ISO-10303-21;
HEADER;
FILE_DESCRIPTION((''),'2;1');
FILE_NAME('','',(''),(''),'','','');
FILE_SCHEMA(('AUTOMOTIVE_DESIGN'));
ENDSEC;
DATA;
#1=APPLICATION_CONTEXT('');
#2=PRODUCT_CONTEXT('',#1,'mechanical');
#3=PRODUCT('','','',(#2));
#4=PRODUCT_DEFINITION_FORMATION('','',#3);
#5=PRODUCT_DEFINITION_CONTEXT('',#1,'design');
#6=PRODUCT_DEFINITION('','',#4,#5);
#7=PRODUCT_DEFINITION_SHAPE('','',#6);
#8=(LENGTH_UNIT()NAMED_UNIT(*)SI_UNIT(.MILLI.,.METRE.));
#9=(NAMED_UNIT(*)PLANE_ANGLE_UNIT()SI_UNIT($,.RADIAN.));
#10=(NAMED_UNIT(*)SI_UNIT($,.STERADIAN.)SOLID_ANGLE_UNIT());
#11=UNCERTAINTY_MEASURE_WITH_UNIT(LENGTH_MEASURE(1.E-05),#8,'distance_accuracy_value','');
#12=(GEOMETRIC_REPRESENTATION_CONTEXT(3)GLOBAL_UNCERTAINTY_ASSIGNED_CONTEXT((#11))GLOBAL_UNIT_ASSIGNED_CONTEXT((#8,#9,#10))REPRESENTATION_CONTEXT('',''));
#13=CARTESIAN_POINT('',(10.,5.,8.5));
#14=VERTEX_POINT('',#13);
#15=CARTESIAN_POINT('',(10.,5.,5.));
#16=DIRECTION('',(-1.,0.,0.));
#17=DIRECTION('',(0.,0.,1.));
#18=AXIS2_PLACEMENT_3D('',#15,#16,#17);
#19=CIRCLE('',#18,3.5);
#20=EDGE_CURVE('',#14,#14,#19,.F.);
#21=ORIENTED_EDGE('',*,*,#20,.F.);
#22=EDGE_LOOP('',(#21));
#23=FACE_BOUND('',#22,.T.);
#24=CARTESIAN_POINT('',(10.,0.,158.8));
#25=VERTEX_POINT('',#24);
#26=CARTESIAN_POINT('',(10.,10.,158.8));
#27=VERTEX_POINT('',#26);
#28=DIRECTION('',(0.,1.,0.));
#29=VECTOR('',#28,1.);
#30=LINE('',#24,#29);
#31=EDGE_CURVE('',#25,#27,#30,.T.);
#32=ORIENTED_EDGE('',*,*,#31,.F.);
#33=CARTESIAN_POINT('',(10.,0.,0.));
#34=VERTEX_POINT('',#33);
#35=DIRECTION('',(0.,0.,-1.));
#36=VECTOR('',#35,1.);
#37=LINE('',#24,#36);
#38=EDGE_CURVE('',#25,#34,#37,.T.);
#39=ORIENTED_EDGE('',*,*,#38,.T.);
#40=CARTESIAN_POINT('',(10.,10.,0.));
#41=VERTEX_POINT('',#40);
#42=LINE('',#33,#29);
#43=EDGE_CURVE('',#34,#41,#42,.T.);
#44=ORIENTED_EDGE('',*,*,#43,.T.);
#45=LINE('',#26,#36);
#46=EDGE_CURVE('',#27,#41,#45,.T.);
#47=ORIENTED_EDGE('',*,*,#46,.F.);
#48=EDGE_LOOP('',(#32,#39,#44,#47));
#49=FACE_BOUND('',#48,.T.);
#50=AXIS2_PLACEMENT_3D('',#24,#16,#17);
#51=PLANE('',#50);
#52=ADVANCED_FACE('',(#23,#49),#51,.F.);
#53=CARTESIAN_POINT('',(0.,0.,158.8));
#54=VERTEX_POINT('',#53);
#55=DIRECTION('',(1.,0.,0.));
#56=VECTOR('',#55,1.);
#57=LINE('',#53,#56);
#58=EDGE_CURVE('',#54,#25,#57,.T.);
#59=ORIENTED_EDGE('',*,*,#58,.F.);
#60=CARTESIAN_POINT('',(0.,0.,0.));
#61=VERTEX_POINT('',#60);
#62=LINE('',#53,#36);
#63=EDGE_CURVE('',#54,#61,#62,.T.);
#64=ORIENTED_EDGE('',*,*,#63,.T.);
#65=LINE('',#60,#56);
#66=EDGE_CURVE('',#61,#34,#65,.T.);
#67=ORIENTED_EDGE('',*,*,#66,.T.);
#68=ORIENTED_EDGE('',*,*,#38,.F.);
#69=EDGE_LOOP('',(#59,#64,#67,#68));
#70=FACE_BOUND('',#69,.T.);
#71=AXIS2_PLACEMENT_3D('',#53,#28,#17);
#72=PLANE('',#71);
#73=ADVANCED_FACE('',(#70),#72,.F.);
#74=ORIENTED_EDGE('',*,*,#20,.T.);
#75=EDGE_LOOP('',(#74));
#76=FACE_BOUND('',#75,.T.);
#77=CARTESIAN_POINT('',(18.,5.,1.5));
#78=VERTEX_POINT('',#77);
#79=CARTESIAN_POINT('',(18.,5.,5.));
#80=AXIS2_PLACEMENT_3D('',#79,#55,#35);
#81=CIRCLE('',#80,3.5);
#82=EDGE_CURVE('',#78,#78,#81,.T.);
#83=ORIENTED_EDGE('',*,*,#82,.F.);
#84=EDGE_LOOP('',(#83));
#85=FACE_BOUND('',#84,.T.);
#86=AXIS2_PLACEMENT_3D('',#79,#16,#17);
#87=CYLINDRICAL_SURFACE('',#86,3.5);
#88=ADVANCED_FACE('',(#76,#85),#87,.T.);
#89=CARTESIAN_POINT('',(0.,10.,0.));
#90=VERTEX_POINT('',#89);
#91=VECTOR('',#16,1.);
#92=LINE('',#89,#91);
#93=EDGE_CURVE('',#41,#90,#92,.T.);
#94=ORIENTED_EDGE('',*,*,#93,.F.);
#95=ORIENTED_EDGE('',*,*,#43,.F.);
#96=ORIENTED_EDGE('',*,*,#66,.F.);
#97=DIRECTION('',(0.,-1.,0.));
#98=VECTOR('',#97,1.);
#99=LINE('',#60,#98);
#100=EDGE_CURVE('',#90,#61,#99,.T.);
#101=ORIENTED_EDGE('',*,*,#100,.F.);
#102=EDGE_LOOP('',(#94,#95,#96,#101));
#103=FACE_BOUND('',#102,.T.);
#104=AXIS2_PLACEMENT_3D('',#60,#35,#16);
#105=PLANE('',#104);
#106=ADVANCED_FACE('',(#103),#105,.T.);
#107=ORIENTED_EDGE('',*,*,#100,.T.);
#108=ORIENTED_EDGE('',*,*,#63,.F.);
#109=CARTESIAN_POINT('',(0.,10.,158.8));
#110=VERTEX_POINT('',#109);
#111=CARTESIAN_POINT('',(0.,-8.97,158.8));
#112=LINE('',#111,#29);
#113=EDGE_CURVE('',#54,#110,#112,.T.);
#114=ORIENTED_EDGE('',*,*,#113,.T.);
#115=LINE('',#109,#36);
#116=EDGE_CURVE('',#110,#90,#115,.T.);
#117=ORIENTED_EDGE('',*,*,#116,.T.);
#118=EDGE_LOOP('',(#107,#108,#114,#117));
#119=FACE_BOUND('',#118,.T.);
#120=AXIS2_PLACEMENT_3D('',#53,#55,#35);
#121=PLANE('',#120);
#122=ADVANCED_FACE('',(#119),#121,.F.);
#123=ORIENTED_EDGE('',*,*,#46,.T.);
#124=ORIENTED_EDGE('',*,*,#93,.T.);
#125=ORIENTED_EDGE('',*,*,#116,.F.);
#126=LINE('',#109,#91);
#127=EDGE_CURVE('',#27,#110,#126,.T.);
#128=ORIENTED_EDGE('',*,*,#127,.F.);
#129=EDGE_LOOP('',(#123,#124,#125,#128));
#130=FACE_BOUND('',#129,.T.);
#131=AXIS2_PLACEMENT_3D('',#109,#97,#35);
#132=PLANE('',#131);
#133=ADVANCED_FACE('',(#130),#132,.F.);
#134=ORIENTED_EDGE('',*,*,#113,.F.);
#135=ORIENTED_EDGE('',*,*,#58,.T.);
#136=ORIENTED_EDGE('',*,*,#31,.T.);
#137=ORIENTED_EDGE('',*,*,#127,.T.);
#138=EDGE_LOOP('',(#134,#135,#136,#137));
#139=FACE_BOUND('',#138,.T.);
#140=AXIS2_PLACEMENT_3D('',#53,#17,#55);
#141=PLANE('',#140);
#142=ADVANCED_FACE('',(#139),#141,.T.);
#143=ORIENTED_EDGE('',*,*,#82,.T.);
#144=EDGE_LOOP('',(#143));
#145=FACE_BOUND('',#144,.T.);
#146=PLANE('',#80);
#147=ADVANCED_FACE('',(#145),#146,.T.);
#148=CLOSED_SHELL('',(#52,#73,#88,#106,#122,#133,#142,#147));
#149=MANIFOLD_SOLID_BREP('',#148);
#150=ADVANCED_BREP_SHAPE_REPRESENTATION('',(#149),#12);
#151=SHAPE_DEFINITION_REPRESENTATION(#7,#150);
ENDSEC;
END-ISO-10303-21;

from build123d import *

# Parameters (mm, degrees)
SKETCH2_W           = 10
SKETCH2_H           = 10
BOSS_EXTRUDE1_DEPTH = 158.8
SKETCH3_R           = 3.5
BOSS_EXTRUDE2_DEPTH = 8
SKETCH4_W           = 15
SKETCH4_H           = 27.94
BOSS_EXTRUDE4_DEPTH = 4
SKETCH5_W           = 2.25448465
SKETCH5_H           = 27.94
BOSS_EXTRUDE5_DEPTH = 4
SKETCH6_R           = 1.5
CUT_EXTRUDE1_DEPTH  = 40
SKETCH7_W           = 15
SKETCH7_H           = 27.94
CUT_EXTRUDE2_DEPTH  = 8


with BuildPart() as part:
    # Sketch2 → Boss-Extrude1 (new body)
    with BuildSketch(Plane.XY):
        with Locations((5, 5)):
            Rectangle(SKETCH2_W, SKETCH2_H)
    extrude(amount=BOSS_EXTRUDE1_DEPTH)

    # Sketch3 → Boss-Extrude2 (add)
    with BuildSketch(Plane(origin=(10, 0, 0), x_dir=(0, 0, -1), z_dir=(1, 0, 0))):
        with Locations((-5, 5)):
            Circle(SKETCH3_R)
    extrude(amount=BOSS_EXTRUDE2_DEPTH)

    # Sketch4 → Boss-Extrude4 (add)
    with BuildSketch(Plane.XY.offset(158.8)):
        with Locations((7.5, 5)):
            Rectangle(SKETCH4_W, SKETCH4_H)
    extrude(amount=BOSS_EXTRUDE4_DEPTH)

    # Sketch5 → Boss-Extrude5 (add)
    with BuildSketch(Plane.XY.offset(162.8)):
        with Locations((13.872757675, 5)):
            Rectangle(SKETCH5_W, SKETCH5_H)
    extrude(amount=BOSS_EXTRUDE5_DEPTH)

    # Sketch6 → Cut-Extrude1 (cut)
    with BuildSketch(Plane.ZY.offset(-12.74551535)):
        with Locations((165.086, 16.64426)):
            Circle(SKETCH6_R)
        with Locations((165.086, -6.645)):
            Circle(SKETCH6_R)
    extrude(amount=-CUT_EXTRUDE1_DEPTH, mode=Mode.SUBTRACT)

    # Sketch7 → Cut-Extrude2 (cut)
    with BuildSketch(Plane.XY.offset(166.8)):
        with Locations((7.5, 5)):
            Rectangle(SKETCH7_W, SKETCH7_H)
    extrude(amount=-CUT_EXTRUDE2_DEPTH, mode=Mode.SUBTRACT)


solid = part.part
